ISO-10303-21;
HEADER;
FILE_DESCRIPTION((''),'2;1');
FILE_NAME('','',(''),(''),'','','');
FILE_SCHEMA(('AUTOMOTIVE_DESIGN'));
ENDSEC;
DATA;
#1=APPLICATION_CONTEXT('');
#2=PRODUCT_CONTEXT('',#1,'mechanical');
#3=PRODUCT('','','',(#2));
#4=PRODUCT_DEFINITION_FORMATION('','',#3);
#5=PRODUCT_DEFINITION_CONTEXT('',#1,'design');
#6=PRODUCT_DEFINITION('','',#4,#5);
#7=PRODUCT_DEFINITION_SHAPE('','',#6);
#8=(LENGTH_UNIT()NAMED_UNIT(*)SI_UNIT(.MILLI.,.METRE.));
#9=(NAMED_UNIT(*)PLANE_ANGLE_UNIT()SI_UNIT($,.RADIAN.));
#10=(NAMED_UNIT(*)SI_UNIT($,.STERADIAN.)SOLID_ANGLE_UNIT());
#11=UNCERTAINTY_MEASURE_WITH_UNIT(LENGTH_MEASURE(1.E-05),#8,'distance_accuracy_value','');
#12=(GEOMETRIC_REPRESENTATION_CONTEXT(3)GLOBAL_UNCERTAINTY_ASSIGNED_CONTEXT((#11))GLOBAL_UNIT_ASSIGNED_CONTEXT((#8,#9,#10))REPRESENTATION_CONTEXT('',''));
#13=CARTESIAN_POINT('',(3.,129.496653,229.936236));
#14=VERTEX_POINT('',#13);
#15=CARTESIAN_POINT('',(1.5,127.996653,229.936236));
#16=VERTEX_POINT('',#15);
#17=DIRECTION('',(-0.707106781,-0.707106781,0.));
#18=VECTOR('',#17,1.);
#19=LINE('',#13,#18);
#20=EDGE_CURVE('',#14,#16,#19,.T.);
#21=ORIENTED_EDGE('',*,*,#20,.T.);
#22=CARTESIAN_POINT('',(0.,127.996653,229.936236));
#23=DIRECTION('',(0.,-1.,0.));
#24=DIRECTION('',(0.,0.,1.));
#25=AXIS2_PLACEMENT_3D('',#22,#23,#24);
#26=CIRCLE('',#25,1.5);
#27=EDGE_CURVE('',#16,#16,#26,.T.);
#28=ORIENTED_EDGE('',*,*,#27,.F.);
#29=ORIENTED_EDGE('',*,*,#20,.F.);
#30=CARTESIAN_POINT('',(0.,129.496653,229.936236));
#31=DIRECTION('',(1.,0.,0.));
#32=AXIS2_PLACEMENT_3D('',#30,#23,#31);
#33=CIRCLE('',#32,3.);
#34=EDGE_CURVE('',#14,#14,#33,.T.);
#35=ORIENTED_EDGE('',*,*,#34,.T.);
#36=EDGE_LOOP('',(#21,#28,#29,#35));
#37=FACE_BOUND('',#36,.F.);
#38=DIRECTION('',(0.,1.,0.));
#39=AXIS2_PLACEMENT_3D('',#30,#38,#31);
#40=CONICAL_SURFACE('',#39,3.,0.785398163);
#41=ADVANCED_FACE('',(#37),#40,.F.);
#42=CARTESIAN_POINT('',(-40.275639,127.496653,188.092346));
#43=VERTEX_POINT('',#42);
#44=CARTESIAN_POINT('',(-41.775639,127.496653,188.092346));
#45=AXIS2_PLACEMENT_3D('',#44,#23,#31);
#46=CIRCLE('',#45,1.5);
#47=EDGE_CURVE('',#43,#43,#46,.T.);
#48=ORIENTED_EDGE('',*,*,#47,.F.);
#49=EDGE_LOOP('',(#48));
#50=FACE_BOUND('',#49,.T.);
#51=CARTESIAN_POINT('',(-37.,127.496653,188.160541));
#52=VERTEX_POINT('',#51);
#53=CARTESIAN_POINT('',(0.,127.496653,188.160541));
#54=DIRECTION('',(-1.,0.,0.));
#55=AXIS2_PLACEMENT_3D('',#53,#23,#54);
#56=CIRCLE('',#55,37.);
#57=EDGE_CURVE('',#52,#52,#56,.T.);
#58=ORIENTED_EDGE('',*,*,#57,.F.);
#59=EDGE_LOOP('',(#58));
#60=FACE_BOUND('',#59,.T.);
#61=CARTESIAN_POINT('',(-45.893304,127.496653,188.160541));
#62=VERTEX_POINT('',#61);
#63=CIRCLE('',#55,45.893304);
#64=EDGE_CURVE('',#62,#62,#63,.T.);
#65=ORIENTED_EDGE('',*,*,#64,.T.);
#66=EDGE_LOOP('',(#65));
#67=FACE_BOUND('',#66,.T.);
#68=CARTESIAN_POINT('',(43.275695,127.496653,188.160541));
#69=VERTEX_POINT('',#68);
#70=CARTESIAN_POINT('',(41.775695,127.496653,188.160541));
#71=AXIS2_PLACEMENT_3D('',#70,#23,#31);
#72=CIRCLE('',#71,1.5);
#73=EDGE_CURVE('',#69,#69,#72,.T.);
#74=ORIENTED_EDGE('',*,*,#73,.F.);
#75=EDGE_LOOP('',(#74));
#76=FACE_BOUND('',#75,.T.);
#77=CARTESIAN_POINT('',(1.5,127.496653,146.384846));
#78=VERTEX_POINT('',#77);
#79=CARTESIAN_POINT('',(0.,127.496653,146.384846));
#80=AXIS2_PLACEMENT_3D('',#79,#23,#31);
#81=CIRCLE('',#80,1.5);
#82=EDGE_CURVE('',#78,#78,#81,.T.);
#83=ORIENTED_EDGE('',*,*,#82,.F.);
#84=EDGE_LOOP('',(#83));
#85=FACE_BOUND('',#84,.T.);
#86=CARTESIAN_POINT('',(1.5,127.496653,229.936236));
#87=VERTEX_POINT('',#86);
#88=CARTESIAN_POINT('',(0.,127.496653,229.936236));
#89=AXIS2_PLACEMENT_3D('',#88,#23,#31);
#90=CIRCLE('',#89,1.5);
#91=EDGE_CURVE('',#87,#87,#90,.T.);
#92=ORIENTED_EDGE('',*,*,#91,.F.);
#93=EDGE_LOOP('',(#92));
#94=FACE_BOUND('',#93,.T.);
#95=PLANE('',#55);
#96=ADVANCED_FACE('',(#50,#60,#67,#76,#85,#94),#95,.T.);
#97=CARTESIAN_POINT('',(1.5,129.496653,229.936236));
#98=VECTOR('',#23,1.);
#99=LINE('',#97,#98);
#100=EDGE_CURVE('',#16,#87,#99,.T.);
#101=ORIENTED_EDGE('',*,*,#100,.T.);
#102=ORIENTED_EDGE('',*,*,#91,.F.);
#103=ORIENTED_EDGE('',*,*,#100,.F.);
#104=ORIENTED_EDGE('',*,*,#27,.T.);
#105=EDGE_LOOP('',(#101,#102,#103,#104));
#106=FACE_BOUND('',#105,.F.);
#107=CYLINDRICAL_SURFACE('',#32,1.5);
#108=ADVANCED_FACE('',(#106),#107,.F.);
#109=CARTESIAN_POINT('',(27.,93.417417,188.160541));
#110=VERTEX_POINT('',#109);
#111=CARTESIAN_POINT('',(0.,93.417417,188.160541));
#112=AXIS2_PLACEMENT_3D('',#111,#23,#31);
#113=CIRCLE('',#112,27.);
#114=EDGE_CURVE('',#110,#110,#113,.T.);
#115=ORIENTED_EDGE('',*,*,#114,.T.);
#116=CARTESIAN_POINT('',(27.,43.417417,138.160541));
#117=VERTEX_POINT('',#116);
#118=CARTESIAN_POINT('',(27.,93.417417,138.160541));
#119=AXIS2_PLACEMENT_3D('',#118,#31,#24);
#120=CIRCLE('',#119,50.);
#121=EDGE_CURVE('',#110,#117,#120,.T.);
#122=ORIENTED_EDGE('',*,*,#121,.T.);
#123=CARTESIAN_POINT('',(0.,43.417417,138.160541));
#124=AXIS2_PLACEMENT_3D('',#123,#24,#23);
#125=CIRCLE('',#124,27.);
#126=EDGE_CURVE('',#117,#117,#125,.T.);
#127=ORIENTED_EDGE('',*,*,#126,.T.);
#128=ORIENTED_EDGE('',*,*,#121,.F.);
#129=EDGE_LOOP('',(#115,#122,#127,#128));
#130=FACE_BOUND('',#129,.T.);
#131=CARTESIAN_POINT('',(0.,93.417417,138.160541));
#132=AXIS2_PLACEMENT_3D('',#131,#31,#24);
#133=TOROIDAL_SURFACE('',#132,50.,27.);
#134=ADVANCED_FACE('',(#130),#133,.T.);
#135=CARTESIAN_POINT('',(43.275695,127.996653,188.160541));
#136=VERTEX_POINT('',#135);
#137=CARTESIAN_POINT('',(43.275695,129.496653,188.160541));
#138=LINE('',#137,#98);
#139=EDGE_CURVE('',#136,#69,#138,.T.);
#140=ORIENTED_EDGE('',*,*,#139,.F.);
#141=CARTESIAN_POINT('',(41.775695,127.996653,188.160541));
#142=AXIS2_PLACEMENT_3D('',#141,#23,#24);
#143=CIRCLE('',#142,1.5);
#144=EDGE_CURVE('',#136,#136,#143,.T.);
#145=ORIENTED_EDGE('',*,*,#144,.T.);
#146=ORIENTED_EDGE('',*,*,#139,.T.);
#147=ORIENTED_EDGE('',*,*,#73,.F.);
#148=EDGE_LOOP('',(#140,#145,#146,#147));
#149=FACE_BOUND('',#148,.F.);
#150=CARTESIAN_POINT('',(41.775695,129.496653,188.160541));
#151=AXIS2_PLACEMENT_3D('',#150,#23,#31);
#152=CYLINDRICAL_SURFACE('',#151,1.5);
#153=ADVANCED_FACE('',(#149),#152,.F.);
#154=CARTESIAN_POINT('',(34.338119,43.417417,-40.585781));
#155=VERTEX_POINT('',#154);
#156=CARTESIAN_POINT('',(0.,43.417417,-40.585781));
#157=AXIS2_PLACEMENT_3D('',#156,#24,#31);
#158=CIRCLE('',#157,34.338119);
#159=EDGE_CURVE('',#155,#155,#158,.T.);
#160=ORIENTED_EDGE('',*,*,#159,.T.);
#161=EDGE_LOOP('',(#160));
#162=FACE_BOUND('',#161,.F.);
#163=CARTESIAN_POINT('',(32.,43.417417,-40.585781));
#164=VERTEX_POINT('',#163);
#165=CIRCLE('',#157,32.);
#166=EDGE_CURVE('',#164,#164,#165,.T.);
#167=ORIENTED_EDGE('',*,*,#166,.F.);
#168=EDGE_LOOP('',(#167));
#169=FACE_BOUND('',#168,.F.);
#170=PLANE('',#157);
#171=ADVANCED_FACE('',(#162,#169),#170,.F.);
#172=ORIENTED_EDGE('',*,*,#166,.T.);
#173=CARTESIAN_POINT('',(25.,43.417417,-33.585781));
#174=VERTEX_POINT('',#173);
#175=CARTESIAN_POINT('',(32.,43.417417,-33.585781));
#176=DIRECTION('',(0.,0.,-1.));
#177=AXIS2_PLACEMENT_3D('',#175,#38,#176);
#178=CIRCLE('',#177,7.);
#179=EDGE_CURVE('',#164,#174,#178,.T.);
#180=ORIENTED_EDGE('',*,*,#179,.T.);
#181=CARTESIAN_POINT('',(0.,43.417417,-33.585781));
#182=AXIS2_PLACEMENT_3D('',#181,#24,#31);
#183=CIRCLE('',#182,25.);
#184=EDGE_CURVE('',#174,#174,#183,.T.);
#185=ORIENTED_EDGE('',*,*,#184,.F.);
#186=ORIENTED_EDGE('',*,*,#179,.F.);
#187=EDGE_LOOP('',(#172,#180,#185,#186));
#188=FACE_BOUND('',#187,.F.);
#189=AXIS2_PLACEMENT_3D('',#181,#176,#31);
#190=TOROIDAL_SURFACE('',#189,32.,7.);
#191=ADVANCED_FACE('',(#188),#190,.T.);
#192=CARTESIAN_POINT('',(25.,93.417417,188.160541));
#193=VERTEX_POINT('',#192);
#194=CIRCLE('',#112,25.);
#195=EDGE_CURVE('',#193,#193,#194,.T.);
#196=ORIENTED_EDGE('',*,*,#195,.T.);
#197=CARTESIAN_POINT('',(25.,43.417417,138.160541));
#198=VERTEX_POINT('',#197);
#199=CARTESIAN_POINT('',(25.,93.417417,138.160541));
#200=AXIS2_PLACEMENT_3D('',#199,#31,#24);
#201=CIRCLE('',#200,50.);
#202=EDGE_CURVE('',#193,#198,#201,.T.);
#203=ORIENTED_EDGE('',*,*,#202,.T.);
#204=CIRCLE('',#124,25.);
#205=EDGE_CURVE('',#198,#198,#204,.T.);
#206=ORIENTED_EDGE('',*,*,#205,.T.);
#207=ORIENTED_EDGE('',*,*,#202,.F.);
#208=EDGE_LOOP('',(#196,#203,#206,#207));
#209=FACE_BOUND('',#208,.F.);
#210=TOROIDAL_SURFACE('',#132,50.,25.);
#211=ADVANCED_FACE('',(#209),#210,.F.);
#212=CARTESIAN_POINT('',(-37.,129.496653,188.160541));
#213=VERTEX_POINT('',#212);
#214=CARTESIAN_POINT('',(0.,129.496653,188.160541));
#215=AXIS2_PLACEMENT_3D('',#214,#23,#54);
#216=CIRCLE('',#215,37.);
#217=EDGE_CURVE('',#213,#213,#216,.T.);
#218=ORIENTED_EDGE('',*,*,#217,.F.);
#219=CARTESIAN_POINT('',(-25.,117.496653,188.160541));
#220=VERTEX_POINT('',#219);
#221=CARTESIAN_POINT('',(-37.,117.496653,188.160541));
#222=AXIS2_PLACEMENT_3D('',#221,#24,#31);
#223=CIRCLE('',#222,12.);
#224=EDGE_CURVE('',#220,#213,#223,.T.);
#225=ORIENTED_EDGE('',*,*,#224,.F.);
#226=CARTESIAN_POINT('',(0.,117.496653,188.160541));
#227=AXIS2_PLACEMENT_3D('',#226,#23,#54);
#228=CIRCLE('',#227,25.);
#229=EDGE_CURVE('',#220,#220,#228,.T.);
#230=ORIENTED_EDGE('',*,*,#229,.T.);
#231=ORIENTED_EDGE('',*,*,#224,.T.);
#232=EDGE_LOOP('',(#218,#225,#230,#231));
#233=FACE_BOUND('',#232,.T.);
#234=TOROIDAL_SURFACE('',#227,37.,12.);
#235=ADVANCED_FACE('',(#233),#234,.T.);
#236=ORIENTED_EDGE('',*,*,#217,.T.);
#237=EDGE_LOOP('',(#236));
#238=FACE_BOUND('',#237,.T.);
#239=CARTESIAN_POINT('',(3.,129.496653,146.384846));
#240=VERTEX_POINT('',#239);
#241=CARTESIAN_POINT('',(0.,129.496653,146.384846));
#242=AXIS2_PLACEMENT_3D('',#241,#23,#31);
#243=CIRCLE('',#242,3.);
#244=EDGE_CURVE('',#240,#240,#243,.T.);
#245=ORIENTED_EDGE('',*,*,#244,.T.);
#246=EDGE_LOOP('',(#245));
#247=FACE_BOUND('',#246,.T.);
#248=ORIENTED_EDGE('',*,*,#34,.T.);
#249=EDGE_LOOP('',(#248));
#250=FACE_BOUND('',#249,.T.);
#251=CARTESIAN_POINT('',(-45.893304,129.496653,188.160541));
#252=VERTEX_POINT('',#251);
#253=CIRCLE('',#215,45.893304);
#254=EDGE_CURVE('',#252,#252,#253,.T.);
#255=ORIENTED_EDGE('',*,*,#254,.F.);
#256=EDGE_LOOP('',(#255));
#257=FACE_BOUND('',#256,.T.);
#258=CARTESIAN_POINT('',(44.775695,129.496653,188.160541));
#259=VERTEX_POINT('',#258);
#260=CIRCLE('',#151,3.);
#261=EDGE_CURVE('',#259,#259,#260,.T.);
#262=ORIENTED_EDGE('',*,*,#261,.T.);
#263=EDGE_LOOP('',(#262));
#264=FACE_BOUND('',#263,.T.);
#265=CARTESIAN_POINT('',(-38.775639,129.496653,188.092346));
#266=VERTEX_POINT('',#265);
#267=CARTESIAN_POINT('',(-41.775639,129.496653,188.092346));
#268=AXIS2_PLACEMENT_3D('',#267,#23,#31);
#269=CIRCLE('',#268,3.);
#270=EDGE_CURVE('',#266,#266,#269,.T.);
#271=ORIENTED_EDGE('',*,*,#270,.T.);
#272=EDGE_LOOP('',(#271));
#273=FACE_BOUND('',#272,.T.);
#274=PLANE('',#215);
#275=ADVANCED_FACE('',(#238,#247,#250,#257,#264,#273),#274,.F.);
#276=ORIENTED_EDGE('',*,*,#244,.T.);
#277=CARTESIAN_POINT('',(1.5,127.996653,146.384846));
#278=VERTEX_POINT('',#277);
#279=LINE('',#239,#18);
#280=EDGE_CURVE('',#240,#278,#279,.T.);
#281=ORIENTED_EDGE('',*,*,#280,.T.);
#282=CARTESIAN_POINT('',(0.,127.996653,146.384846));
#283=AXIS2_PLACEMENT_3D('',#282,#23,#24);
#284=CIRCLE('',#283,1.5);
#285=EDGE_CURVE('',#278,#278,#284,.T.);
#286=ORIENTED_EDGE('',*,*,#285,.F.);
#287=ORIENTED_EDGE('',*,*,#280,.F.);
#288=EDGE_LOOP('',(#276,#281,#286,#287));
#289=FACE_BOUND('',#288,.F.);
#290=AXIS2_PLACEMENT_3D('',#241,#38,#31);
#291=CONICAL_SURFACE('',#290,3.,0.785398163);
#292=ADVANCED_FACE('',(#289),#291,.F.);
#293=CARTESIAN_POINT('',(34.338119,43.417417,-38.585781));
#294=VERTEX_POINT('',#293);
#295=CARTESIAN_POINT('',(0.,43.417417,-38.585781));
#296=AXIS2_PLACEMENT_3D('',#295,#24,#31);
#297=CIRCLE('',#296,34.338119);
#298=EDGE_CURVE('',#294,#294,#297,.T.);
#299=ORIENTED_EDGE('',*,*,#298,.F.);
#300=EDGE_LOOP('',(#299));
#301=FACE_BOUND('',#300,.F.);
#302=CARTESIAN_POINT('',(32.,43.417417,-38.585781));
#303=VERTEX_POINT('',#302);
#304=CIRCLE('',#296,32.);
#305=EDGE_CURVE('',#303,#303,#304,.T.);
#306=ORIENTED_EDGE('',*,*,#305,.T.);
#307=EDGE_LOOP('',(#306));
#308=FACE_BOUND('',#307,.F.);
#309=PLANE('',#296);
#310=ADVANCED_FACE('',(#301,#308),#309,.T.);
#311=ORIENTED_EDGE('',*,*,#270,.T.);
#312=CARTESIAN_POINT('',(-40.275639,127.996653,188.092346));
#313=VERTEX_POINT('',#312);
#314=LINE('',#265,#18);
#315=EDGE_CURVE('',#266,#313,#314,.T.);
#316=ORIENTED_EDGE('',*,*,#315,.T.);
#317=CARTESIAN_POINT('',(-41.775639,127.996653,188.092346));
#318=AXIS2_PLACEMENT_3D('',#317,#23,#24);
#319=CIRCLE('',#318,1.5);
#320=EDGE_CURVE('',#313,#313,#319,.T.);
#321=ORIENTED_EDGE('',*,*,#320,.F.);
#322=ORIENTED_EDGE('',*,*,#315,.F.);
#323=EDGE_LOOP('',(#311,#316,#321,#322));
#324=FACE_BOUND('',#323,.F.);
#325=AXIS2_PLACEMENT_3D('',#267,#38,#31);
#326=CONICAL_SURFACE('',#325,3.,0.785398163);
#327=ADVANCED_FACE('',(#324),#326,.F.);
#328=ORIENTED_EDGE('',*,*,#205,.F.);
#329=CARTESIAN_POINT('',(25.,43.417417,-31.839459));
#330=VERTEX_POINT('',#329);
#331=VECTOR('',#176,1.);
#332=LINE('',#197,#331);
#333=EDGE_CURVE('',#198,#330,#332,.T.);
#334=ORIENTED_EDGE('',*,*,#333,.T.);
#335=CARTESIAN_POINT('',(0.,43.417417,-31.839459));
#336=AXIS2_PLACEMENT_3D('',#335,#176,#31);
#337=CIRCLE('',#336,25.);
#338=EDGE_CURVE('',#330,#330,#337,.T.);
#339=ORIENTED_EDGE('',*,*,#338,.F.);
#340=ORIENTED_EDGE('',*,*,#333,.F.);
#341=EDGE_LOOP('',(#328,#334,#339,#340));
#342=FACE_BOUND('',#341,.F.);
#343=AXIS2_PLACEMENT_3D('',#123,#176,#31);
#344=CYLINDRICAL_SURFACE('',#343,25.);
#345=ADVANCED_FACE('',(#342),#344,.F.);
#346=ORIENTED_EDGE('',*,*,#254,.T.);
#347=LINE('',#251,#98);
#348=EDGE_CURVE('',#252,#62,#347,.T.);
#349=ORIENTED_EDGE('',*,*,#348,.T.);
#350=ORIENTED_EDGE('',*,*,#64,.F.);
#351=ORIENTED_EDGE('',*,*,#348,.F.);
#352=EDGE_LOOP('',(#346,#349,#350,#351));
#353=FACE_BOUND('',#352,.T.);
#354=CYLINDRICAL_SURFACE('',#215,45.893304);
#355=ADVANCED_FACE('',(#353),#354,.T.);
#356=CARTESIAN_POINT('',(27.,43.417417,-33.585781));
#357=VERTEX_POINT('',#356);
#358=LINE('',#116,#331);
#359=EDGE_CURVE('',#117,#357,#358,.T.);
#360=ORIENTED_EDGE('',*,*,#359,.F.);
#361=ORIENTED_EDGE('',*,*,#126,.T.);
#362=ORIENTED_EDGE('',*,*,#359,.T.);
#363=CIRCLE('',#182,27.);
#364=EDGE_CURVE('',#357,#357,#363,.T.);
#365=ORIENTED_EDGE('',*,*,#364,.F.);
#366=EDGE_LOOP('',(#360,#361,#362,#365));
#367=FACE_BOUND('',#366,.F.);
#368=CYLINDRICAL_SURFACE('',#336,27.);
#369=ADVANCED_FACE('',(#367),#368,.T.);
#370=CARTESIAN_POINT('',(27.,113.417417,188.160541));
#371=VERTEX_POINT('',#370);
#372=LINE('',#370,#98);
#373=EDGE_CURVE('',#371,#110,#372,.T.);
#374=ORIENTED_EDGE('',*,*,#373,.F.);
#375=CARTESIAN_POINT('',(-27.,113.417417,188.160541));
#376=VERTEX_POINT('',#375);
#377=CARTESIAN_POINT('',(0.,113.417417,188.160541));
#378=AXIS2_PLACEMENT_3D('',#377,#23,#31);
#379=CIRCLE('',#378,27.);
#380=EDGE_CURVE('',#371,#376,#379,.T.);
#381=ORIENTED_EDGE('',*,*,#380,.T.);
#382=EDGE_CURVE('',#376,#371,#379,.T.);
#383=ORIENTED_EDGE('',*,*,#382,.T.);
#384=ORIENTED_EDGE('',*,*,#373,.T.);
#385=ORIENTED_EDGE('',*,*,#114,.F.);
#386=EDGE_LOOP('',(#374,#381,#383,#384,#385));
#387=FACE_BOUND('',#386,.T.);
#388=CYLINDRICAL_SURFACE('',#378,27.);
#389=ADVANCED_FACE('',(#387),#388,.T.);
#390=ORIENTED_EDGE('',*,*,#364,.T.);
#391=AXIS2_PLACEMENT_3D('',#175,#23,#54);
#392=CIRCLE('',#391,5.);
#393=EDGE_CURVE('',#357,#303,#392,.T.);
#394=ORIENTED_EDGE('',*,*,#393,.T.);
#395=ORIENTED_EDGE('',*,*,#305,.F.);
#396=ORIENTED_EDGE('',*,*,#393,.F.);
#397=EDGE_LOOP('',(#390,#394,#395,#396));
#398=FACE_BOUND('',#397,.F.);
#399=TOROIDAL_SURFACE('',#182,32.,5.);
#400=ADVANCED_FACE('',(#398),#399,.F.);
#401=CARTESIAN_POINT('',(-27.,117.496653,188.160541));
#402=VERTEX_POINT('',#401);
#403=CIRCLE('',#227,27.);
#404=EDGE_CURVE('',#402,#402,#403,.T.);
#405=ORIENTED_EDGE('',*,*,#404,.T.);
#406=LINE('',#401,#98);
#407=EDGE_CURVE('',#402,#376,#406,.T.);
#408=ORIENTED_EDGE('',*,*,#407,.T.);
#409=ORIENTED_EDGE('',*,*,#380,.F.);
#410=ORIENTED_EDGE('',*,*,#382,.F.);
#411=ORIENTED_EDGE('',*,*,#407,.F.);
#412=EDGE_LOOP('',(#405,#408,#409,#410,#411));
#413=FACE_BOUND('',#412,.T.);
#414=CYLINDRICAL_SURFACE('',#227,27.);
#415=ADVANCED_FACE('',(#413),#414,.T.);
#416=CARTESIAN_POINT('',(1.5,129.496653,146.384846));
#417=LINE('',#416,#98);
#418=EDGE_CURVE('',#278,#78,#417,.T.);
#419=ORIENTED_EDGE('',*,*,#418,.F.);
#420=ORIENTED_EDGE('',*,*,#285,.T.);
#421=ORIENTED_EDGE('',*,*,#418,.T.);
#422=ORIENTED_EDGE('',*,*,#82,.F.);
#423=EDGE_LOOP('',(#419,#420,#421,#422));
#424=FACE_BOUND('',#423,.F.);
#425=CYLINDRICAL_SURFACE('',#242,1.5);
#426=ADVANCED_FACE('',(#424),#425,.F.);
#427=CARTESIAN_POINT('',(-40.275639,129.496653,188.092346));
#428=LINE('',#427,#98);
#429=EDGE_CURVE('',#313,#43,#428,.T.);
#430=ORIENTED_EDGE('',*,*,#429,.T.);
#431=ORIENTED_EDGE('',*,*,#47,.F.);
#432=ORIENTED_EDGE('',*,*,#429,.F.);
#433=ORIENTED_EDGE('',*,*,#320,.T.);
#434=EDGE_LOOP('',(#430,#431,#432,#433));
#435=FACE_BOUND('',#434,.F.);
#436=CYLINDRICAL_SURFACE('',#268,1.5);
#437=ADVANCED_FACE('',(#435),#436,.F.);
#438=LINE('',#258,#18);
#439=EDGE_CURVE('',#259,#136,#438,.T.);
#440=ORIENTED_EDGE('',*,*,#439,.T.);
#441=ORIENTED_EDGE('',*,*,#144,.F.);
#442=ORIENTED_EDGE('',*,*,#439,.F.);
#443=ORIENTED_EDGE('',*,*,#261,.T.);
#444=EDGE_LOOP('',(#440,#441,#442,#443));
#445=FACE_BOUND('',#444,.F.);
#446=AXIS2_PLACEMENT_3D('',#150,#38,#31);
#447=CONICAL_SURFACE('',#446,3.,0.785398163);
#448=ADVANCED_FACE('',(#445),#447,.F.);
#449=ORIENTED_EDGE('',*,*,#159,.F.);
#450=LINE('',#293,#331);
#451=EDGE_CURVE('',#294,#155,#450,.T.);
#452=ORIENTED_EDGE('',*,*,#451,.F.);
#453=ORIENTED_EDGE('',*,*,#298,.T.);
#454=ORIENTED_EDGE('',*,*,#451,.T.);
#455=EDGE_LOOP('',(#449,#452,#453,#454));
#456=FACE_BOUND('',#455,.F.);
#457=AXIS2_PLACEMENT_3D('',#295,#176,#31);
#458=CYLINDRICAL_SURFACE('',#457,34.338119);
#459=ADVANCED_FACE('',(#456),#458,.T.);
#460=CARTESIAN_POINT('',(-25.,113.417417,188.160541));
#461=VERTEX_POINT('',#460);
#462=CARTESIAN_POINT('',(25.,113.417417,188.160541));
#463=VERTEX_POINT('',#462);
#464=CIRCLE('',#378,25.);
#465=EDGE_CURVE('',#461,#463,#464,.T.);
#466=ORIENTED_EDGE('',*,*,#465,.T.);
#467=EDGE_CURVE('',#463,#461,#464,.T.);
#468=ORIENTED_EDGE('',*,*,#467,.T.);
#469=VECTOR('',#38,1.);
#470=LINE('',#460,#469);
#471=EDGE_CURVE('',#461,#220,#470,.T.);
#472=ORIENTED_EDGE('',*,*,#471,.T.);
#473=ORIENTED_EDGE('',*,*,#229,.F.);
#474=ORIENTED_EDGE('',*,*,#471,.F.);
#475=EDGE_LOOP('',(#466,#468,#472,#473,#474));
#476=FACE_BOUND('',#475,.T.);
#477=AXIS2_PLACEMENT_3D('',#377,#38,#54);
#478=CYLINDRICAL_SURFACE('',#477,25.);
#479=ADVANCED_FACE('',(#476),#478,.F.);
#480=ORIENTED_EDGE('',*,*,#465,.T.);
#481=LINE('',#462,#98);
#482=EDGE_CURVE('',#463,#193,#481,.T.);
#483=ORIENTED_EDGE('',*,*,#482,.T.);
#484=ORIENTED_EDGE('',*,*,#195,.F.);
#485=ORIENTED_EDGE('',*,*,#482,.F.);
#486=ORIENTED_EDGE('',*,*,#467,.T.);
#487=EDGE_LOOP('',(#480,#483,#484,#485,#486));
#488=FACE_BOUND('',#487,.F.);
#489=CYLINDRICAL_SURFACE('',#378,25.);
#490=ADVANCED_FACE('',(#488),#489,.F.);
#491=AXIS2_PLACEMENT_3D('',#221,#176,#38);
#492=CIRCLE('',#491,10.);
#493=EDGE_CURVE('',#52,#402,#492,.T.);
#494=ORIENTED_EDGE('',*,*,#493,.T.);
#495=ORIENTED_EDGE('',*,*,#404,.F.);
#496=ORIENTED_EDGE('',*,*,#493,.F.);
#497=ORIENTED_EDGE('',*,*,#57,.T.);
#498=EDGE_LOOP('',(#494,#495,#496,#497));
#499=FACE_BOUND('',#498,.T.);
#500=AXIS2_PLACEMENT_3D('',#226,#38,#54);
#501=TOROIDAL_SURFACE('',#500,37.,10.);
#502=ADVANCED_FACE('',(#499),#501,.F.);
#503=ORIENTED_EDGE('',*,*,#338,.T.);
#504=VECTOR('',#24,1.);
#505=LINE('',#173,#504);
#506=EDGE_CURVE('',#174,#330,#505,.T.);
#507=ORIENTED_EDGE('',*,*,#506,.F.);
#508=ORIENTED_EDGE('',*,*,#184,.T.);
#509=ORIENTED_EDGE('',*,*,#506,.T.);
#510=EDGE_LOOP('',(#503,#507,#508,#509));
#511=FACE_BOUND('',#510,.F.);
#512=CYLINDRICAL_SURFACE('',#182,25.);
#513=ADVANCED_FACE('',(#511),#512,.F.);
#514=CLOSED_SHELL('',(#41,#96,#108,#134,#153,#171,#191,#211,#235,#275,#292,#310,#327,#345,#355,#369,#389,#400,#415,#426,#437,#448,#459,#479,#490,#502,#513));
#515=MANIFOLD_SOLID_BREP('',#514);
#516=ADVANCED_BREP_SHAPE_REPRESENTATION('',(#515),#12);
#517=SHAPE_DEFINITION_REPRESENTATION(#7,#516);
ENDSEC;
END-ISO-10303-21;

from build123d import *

# Parameters (mm, degrees)
F2_R           = 27
F2_R_2         = 25
F8_D           = 3
F8_DEPTH       = 5
F8_CSINK_D     = 6
F8_CSINK_ANGLE = 90
F8_TIP         = 0.9012909285


with BuildPart() as f3:
    # F3: sweep along a path in F0
    with BuildLine(Plane.YZ) as f3_path:
        Line((113.417416513, 188.1605413556), (93.417416513, 188.1605413556))
        ThreePointArc((93.417416513, 188.1605413556), (58.0620774536, 173.5158804149), (43.417416513, 138.1605413556))
        Line((43.417416513, 138.1605413556), (43.417416513, -31.8394586444))
    # F2 (on line) → F3 (sweep)
    with BuildSketch(Plane.XZ.offset(-113.417416513)):
        with Locations((0, 188.1605413556)):
            Circle(F2_R)
        with Locations((0, 188.1605413556)):
            Circle(F2_R_2, mode=Mode.SUBTRACT)
    sweep(path=f3_path.line)

    # F5 (on mid) → F6 (revolve)
    with BuildSketch(Plane.XY.offset(188.1605413556)):
        with BuildLine():
            Line((-27, 117.4966525264), (-27, 113.417416513))
            Line((-27, 113.417416513), (-25, 113.417416513))
            Line((-25, 113.417416513), (-25, 117.4966525264))
            ThreePointArc((-25, 117.4966525264), (-28.5147186258, 125.9819339006), (-37, 129.4966525264))
            Line((-37, 129.4966525264), (-45.89330405, 129.4966525264))
            Line((-45.89330405, 129.4966525264), (-45.89330405, 127.4966525264))
            Line((-45.89330405, 127.4966525264), (-38.3918248117, 127.4966525264))
            Line((-38.3918248117, 127.4966525264), (-37, 127.4966525264))
            ThreePointArc((-37, 127.4966525264), (-29.9289321881, 124.5677203382), (-27, 117.4966525264))
        make_face()
    revolve(axis=Axis((0, 116.9485785067, 188.1605413556), (0, -1, 0)))

    # F8
    with Locations(Plane(origin=(0, 129.4966525264, 0), x_dir=(-1, 0, 0), z_dir=(0, 1, 0))):
        with Locations((0, 229.936236347), (-41.7756949914, 188.1605413556), (0, 146.3848463642), (41.7756393291, 188.0923456015)):
            CounterSinkHole(F8_D / 2, F8_CSINK_D / 2, depth=F8_DEPTH, counter_sink_angle=F8_CSINK_ANGLE)
            with Locations((0, 0, -(F8_DEPTH + F8_TIP / 2))):  # 118° drill point
                Cone(0, F8_D / 2, F8_TIP, mode=Mode.SUBTRACT)

    # F11 (on mid) → F12 (revolve)
    with BuildSketch(Plane(origin=(0, 43.417416513, 0), x_dir=(-1, 0, 0), z_dir=(0, 1, 0))):
        with BuildLine():
            Line((-25, -31.8394586444), (-27, -31.8394586444))
            Line((-27, -31.8394586444), (-27, -33.585781455))
            ThreePointArc((-27, -33.585781455), (-28.4644660941, -37.121315361), (-32, -38.585781455))
            Line((-32, -38.585781455), (-34.338119328, -38.585781455))
            Line((-34.338119328, -38.585781455), (-34.338119328, -40.585781455))
            Line((-34.338119328, -40.585781455), (-32, -40.585781455))
            ThreePointArc((-32, -40.585781455), (-27.0502525317, -38.5355289233), (-25, -33.585781455))
            Line((-25, -33.585781455), (-25, -31.8394586444))
        make_face()
    revolve(axis=Axis((0, 43.417416513, -15.3753508348), (0, 0, 1)))


solid = f3.part
